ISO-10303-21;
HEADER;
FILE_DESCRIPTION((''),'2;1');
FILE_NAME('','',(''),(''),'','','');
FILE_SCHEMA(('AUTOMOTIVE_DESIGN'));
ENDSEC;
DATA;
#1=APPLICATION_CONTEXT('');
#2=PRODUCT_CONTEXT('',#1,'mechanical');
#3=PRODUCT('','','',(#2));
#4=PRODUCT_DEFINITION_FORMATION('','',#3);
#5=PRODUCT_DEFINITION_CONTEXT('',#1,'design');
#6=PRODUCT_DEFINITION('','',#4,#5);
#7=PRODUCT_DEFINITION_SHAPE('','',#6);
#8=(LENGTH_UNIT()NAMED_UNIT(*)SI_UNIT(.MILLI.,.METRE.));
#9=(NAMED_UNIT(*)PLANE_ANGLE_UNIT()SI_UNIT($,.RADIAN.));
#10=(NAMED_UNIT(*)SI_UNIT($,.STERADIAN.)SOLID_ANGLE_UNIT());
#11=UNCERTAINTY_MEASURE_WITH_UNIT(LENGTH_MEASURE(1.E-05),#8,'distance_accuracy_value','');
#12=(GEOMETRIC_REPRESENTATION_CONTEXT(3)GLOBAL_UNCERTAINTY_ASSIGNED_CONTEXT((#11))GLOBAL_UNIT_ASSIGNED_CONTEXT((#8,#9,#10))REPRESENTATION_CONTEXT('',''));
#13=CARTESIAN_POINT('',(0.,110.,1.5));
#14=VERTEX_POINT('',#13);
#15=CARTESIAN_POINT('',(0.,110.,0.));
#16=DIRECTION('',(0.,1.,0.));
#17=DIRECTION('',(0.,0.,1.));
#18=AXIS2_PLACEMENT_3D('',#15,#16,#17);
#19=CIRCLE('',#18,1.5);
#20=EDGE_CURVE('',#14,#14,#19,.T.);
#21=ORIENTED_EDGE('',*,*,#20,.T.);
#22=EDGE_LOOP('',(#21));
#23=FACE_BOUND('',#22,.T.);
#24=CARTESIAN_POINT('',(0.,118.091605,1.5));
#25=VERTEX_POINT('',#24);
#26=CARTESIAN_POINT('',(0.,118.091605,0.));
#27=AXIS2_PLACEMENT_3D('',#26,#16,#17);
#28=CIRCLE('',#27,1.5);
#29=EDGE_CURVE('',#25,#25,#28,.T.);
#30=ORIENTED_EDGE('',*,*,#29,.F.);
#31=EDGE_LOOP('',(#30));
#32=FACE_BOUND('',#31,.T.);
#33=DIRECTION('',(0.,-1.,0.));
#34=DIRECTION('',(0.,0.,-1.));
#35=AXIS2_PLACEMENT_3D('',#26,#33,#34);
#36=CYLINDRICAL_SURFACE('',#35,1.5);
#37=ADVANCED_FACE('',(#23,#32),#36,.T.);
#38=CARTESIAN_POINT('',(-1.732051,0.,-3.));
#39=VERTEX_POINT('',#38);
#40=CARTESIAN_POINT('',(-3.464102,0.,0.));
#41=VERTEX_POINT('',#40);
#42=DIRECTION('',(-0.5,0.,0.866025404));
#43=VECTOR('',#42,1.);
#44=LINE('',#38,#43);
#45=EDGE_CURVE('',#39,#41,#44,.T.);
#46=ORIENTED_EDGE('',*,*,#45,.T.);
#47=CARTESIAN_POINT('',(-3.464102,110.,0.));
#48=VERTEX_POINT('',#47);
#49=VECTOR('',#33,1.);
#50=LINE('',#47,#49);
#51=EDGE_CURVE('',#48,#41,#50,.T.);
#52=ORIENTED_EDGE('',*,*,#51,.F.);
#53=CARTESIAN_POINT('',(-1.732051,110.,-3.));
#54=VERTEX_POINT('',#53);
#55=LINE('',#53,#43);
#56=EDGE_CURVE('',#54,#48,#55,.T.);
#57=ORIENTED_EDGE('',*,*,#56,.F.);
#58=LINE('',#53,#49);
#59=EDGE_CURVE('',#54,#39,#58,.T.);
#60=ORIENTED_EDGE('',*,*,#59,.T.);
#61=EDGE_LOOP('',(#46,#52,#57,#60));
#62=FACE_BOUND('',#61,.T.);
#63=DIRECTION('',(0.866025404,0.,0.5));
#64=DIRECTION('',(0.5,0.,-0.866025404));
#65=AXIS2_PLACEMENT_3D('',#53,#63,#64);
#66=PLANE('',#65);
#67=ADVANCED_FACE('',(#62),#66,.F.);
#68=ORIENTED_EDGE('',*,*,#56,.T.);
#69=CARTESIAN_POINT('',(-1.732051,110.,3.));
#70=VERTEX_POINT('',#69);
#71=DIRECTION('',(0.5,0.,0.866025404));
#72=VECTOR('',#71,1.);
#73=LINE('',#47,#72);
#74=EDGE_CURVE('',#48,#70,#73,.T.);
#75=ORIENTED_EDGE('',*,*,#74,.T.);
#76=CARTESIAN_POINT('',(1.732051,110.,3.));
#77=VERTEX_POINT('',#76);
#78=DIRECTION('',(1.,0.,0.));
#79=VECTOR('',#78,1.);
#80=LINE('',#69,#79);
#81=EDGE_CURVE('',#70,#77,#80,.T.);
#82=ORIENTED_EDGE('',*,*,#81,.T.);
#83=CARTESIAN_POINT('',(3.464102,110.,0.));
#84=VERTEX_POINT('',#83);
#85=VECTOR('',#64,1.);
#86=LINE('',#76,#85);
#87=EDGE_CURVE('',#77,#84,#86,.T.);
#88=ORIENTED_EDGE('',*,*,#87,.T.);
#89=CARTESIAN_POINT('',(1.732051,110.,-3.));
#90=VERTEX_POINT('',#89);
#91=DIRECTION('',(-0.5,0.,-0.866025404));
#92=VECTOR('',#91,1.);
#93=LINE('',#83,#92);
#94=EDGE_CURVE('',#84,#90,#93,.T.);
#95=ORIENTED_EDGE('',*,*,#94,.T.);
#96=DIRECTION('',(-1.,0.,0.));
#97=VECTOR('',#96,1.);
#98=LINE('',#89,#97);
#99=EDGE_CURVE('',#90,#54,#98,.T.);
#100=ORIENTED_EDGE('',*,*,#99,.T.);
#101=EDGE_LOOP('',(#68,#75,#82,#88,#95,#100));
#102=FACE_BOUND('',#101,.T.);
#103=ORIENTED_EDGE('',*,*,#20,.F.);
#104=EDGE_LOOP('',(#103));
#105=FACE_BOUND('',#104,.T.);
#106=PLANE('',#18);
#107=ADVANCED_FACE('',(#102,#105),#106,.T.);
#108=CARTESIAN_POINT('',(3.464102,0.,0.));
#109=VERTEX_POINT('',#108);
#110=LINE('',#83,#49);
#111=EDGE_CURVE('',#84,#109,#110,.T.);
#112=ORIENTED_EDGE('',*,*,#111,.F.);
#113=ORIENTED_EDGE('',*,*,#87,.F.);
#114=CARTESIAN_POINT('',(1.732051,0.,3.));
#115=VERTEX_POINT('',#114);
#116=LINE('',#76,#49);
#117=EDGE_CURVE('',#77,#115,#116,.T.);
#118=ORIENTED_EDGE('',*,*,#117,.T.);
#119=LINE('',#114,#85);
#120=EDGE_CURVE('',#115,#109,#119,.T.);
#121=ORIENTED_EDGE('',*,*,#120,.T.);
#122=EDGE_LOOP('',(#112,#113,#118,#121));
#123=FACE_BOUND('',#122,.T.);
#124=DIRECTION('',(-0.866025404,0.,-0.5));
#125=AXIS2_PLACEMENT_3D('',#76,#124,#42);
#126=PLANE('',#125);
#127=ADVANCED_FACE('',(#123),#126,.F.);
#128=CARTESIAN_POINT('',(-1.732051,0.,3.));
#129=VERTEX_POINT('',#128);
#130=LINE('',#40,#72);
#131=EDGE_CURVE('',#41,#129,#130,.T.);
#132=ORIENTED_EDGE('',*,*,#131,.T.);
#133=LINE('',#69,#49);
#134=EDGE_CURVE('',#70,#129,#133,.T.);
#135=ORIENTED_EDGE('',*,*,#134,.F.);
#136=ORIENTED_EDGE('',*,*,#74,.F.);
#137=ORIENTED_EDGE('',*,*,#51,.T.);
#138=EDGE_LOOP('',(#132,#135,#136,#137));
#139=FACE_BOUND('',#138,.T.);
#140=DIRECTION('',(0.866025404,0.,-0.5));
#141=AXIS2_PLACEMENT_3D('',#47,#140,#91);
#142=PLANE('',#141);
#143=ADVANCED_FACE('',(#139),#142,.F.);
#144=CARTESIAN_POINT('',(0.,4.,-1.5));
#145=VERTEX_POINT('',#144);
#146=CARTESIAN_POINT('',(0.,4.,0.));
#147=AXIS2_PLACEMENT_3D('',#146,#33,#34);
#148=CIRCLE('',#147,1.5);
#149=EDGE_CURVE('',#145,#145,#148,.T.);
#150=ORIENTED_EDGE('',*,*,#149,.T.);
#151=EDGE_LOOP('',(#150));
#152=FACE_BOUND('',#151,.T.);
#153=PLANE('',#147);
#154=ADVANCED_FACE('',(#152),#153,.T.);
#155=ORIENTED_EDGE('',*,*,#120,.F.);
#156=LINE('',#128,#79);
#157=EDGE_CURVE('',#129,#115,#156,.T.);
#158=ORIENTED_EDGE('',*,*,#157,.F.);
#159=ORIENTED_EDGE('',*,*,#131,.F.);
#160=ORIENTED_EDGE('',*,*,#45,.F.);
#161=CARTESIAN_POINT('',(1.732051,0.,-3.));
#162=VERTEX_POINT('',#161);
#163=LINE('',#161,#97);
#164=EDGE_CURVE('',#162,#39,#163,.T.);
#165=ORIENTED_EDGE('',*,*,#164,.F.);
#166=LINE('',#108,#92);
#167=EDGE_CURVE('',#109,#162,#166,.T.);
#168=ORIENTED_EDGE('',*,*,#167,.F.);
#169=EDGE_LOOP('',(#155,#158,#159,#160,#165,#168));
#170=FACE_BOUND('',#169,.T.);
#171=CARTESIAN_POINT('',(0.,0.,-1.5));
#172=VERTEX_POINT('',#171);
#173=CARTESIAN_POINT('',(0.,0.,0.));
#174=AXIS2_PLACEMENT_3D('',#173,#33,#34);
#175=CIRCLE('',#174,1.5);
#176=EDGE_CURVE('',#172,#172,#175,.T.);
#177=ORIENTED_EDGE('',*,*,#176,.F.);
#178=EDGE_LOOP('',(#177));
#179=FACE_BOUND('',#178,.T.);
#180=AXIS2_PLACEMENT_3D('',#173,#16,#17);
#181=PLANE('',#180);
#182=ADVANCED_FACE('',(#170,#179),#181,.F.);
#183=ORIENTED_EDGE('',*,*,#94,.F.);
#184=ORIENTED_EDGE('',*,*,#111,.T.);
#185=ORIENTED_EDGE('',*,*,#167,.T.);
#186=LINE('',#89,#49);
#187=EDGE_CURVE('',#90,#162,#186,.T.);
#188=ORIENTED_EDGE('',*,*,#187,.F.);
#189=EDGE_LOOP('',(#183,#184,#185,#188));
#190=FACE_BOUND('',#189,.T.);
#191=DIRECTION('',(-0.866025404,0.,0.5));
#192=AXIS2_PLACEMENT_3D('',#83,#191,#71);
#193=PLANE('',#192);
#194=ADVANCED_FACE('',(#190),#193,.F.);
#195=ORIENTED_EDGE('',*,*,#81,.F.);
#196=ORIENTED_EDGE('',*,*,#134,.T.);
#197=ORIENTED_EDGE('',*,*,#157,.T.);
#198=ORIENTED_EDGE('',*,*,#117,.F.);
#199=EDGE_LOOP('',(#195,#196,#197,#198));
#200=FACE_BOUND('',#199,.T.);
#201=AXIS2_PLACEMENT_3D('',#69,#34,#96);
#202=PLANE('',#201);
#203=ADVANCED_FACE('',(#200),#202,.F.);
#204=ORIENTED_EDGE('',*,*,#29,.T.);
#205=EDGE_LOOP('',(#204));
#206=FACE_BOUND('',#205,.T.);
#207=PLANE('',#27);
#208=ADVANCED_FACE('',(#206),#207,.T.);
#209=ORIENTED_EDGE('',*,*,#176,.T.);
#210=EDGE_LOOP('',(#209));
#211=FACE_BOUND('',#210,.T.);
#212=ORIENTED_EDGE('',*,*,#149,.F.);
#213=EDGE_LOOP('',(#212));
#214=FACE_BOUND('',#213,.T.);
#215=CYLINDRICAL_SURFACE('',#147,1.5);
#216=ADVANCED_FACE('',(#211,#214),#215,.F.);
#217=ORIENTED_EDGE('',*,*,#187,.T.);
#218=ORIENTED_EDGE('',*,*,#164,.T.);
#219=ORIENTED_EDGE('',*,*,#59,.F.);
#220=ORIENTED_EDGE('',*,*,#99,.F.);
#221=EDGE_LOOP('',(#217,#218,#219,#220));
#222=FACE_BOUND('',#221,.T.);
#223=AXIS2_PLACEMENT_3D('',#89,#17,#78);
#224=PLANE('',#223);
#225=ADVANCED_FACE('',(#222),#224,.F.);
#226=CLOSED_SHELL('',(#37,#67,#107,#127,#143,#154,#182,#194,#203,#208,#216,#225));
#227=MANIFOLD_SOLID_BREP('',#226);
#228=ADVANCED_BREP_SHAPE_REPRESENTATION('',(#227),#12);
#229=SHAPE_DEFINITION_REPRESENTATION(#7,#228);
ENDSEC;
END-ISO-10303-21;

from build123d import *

# Parameters (mm, degrees)
BOSS_EXTRUDE1_DEPTH = 110
SKETCH5_R           = 1.5
BOSS_EXTRUDE2_DEPTH = 8.091605471
SKETCH6_R           = 1.5
CUT_EXTRUDE1_DEPTH  = 4


with BuildPart() as part:
    # Sketch3 → Boss-Extrude1 (new body)
    with BuildSketch(Plane(origin=(0, 0, 0), x_dir=(1, 0, 0), z_dir=(0, 1, 0))):
        Polygon((-3.464101615, 0), (-1.732050808, -3), (1.732050808, -3), (3.464101615, 0), (1.732050808, 3), (-1.732050808, 3), align=None)
    extrude(amount=BOSS_EXTRUDE1_DEPTH)

    # Sketch5 → Boss-Extrude2 (add)
    with BuildSketch(Plane(origin=(0, 110, 0), x_dir=(1, 0, 0), z_dir=(0, 1, 0))):
        with Locations(Location((0, 0, 0), (0, 0, 270))):
            Circle(SKETCH5_R)
    extrude(amount=BOSS_EXTRUDE2_DEPTH)

    # Sketch6 → Cut-Extrude1 (cut)
    with BuildSketch(Plane.XZ):
        with Locations(Location((0, 0, 0), (0, 0, 90))):
            Circle(SKETCH6_R)
    extrude(amount=-CUT_EXTRUDE1_DEPTH, mode=Mode.SUBTRACT)


solid = part.part
